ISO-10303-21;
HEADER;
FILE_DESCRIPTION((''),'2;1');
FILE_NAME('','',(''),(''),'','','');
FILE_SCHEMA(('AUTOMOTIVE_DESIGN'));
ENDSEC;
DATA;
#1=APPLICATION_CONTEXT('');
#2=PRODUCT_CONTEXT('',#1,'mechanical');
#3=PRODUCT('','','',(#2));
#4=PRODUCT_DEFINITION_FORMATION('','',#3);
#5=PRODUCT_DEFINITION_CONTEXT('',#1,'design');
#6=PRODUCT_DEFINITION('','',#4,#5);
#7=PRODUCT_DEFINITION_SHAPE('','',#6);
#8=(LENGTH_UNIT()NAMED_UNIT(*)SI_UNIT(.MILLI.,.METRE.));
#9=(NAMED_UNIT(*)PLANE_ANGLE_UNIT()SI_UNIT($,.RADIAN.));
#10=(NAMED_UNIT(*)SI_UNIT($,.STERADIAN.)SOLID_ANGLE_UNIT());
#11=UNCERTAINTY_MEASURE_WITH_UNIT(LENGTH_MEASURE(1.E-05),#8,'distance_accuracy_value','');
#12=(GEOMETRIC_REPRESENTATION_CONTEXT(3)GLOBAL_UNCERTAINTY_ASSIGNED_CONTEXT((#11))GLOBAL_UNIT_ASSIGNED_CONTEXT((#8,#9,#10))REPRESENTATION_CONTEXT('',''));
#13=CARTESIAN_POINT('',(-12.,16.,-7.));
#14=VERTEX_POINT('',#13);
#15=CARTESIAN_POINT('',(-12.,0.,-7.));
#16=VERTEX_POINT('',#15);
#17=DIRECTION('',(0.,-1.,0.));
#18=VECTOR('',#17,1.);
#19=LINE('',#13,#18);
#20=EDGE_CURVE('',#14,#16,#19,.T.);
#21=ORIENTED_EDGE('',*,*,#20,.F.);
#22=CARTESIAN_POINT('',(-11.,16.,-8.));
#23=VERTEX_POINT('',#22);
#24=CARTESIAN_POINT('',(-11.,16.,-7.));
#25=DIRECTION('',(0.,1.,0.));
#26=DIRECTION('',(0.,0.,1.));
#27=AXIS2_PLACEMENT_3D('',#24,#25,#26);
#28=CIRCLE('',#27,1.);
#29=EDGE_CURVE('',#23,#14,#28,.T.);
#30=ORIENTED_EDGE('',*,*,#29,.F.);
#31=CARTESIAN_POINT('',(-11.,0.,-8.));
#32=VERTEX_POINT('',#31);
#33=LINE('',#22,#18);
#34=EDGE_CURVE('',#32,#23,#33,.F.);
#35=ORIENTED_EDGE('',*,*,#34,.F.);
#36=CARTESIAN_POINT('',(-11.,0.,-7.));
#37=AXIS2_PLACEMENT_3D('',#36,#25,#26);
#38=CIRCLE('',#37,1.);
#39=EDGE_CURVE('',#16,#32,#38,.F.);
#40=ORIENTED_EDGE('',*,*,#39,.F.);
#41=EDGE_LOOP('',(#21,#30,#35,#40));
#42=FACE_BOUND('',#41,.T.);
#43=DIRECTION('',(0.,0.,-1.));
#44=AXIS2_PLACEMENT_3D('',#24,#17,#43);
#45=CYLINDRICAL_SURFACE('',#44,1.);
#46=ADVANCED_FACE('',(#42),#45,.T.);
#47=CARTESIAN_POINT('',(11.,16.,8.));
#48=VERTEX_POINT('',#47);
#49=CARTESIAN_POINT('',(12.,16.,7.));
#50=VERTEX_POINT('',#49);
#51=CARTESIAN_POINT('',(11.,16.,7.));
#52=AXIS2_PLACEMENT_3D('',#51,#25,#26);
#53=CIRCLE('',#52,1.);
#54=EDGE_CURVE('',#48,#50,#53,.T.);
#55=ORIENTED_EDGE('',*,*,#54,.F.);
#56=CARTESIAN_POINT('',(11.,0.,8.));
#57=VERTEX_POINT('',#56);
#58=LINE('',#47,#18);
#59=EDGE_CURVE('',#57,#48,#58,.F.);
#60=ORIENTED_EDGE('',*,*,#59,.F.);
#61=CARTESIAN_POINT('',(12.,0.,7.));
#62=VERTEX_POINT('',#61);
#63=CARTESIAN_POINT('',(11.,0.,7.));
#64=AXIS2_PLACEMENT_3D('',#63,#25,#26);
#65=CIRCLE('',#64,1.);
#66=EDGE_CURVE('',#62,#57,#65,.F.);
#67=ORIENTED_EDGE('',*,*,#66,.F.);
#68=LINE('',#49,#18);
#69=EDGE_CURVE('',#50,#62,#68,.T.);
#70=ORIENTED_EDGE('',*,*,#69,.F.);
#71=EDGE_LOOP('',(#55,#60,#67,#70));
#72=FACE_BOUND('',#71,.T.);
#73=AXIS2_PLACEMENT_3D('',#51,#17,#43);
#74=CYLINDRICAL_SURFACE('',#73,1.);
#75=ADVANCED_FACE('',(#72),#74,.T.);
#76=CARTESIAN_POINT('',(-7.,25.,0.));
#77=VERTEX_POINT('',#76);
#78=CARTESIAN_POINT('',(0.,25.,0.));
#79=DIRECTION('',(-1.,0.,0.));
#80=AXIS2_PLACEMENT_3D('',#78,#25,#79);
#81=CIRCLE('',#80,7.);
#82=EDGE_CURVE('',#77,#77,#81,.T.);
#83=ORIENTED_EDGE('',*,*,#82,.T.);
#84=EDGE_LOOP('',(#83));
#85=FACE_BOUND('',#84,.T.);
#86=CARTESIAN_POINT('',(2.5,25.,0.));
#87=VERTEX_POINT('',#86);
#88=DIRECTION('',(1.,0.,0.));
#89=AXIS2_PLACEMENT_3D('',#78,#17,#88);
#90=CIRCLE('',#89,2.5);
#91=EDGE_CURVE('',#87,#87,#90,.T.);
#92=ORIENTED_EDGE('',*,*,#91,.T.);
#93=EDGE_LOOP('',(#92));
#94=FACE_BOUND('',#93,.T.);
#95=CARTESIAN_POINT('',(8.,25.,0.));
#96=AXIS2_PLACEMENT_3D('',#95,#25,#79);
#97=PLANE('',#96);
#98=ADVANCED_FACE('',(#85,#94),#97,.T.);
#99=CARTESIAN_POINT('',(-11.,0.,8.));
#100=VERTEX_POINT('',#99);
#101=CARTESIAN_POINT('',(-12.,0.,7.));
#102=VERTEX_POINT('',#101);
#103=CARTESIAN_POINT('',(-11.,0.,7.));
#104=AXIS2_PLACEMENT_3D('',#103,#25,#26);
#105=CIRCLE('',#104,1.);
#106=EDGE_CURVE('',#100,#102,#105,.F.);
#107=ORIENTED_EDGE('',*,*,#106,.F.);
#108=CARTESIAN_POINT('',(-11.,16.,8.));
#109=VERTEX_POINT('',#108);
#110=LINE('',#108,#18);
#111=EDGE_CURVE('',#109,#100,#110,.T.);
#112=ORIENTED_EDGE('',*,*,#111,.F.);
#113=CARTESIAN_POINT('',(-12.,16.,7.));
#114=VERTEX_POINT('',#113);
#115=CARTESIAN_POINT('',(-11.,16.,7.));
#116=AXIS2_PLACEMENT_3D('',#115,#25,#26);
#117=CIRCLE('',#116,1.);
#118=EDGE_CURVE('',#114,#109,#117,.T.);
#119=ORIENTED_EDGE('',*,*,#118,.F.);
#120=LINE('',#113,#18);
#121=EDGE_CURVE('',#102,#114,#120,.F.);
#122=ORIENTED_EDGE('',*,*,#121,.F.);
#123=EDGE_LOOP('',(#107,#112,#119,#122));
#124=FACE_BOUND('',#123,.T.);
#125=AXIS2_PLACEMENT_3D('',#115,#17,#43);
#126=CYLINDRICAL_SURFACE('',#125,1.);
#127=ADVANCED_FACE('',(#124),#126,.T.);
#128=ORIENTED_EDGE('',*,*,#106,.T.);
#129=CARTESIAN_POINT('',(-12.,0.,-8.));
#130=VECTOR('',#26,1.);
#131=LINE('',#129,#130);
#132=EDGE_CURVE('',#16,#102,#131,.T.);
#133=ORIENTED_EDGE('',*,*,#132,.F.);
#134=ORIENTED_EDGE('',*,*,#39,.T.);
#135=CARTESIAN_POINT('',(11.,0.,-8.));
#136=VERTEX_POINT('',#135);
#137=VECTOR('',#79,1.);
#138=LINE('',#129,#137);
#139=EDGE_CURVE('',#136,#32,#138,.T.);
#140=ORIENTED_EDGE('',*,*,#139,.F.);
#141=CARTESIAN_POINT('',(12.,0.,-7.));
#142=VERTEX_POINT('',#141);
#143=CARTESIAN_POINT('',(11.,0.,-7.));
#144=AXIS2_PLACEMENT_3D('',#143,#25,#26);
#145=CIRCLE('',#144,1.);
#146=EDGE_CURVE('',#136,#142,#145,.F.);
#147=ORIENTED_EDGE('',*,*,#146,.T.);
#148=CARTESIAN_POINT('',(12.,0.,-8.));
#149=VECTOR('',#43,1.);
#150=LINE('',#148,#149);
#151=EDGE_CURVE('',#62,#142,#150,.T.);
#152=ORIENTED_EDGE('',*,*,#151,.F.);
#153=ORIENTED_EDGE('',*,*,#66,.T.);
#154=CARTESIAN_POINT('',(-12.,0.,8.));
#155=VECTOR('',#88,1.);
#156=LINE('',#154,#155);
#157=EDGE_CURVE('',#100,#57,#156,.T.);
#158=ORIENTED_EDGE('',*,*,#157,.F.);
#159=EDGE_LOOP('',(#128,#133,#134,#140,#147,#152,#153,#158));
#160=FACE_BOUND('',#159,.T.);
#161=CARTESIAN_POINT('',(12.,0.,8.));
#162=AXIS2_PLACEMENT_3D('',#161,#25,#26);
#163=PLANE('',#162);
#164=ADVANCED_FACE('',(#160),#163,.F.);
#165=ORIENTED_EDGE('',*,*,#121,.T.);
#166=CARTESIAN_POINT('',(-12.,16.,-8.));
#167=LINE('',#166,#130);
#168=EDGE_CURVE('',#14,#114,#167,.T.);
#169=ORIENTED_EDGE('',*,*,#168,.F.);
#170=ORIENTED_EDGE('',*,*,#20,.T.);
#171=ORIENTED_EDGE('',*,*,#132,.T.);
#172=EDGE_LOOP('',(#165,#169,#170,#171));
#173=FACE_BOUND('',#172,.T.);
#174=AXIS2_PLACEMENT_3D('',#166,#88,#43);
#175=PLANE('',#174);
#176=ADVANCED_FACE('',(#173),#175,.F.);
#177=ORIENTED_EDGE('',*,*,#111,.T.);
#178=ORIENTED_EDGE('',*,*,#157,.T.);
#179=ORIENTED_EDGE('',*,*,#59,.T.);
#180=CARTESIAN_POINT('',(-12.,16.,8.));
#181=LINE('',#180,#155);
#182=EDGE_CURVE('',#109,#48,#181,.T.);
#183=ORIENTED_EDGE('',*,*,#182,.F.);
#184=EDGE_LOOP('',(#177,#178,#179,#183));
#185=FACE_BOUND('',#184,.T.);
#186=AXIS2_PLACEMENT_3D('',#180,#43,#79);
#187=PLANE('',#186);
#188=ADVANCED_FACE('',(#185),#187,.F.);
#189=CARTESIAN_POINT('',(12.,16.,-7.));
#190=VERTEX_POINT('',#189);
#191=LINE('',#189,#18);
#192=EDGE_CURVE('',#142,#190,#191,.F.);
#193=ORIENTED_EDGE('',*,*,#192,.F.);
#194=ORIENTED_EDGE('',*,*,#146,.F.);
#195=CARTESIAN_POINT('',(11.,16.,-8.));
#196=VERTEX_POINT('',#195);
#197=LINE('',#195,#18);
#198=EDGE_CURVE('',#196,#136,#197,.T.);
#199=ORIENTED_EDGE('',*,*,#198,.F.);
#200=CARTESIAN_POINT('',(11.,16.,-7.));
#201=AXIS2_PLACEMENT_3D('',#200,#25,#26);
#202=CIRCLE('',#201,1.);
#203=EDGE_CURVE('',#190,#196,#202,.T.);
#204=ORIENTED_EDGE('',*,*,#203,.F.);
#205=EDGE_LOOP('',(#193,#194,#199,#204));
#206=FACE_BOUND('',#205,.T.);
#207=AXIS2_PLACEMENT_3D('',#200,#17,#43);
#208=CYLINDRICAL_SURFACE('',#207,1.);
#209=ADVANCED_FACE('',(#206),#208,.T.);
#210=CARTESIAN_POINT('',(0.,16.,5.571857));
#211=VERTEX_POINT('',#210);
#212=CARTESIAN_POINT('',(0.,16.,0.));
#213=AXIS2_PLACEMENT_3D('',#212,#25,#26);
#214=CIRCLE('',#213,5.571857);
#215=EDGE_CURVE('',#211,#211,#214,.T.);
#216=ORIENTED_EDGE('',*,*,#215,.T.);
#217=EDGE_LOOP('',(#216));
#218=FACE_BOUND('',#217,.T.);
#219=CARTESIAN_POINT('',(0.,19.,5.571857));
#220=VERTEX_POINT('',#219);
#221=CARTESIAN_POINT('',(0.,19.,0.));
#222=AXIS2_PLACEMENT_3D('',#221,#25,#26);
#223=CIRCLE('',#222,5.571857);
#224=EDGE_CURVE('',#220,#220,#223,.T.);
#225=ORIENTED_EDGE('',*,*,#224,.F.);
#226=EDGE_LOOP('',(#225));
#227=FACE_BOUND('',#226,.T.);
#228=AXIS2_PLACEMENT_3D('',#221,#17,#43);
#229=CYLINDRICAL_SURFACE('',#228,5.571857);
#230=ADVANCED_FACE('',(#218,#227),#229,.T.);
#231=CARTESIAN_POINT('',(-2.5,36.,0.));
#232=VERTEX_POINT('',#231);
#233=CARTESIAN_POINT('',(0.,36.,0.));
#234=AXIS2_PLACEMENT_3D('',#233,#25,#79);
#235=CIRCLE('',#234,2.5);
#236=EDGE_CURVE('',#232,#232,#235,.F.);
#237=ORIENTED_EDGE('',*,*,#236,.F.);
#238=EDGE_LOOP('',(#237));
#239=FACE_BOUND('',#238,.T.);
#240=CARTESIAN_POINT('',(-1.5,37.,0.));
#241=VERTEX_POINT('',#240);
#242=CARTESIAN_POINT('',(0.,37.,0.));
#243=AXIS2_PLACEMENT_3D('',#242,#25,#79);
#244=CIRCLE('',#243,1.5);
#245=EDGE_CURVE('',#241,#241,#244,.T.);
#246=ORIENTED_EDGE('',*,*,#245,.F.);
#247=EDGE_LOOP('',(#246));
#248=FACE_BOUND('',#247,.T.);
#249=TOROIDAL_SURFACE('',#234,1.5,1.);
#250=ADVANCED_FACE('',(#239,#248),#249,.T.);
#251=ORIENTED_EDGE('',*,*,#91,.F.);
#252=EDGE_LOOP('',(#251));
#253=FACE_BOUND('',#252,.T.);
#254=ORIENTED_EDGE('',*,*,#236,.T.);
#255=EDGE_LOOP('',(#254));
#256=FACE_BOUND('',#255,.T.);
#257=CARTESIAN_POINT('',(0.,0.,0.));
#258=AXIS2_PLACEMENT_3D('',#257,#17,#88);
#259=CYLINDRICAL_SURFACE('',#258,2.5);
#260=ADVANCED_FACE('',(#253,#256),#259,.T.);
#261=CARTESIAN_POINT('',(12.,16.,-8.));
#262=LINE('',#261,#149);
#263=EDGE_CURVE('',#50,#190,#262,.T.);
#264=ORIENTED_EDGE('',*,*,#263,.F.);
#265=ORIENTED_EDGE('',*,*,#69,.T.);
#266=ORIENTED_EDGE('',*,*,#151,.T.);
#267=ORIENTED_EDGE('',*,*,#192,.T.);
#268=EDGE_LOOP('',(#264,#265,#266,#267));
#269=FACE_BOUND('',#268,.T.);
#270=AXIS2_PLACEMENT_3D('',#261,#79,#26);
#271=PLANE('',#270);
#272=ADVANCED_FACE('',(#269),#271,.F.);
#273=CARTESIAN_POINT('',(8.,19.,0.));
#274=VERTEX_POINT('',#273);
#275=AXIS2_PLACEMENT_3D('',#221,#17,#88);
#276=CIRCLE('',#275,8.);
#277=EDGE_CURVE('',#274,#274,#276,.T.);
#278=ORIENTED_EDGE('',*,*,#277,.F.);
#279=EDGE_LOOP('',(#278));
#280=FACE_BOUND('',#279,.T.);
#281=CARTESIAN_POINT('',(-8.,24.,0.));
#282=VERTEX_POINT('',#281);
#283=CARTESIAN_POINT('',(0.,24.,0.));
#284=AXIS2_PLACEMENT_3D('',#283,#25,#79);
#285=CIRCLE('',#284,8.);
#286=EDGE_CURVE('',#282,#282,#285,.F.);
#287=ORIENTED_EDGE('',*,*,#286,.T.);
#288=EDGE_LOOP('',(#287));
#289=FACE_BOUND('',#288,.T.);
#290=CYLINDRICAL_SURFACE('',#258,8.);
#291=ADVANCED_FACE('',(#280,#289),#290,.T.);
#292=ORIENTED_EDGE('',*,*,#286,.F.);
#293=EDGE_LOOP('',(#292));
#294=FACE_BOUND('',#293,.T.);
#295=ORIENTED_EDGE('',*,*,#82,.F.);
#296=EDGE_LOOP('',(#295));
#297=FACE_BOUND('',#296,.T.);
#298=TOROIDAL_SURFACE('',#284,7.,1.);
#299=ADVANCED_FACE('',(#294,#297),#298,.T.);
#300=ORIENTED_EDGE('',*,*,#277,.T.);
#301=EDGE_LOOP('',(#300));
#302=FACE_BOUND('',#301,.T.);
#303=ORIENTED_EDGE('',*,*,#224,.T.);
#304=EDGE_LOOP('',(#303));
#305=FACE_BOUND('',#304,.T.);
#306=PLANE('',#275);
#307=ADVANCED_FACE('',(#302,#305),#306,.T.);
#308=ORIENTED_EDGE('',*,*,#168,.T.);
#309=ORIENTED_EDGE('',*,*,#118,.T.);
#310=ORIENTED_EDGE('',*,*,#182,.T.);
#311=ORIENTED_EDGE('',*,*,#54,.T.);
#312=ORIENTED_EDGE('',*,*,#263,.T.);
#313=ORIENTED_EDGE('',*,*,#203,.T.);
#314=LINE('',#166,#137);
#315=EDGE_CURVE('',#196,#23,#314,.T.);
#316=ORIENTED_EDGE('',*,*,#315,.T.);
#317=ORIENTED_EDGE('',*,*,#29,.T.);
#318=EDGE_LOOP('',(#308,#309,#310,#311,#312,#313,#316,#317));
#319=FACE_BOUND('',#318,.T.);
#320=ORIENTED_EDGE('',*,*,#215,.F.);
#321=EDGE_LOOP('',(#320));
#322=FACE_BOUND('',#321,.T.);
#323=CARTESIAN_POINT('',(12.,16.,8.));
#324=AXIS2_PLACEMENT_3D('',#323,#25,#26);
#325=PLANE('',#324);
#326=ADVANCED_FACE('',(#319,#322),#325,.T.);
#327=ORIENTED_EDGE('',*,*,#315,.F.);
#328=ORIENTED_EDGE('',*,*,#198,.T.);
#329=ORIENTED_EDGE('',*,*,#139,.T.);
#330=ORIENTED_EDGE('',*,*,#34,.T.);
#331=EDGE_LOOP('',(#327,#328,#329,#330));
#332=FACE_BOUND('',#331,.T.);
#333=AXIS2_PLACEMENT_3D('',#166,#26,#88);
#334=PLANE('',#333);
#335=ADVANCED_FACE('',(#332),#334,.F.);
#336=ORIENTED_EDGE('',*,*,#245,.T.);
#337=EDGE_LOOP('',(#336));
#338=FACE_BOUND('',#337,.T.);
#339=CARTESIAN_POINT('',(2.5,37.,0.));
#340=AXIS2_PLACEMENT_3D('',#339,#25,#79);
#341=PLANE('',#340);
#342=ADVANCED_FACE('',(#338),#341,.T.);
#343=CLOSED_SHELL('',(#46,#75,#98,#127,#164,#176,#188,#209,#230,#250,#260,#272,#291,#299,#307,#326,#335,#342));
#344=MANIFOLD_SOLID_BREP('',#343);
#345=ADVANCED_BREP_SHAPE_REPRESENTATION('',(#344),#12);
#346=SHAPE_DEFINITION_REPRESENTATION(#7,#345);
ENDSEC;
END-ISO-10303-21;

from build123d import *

# Parameters (mm, degrees)
SKETCH1_W           = 24
SKETCH1_H           = 16
BOSS_EXTRUDE1_DEPTH = 16
SKETCH2_R           = 5.571856639
BOSS_EXTRUDE2_DEPTH = 3
FILLET1_R           = 1
FILLET2_R           = 1
FILLET3_R           = 1


with BuildPart() as part:
    # Sketch1 → Boss-Extrude1 (new body)
    with BuildSketch(Plane(origin=(0, 0, 0), x_dir=(1, 0, 0), z_dir=(0, 1, 0))):
        Rectangle(SKETCH1_W, SKETCH1_H)
    extrude(amount=BOSS_EXTRUDE1_DEPTH)

    # Sketch2 → Boss-Extrude2 (add)
    with BuildSketch(Plane(origin=(0, 16, 0), x_dir=(1, 0, 0), z_dir=(0, 1, 0))):
        with Locations(Location((0, 0, 0), (0, 0, 270))):
            Circle(SKETCH2_R)
    extrude(amount=BOSS_EXTRUDE2_DEPTH)

    # Sketch4 → Revolve1 (revolve)
    with BuildSketch(Plane.XY):
        Polygon((0, 19), (8, 19), (8, 25), (2.5, 25), (2.5, 37), (0, 37), align=None)
    revolve(axis=Axis((0, 0, 0), (0, 1, 0)))

    # Fillet1
    fillet1_edges = [part.edges().sort_by_distance(p)[0] for p in [
        (-8, 25, 0),
    ]]
    fillet(fillet1_edges, radius=FILLET1_R)

    # Fillet2
    fillet2_edges = [part.edges().sort_by_distance(p)[0] for p in [
        (-2.5, 37, 0),
    ]]
    fillet(fillet2_edges, radius=FILLET2_R)

    # Fillet3
    fillet3_edges = [part.edges().sort_by_distance(p)[0] for p in [
        (12, 8, 8),
        (-12, 8, 8),
        (-12, 8, -8),
        (12, 8, -8),
    ]]
    fillet(fillet3_edges, radius=FILLET3_R)


solid = part.part
